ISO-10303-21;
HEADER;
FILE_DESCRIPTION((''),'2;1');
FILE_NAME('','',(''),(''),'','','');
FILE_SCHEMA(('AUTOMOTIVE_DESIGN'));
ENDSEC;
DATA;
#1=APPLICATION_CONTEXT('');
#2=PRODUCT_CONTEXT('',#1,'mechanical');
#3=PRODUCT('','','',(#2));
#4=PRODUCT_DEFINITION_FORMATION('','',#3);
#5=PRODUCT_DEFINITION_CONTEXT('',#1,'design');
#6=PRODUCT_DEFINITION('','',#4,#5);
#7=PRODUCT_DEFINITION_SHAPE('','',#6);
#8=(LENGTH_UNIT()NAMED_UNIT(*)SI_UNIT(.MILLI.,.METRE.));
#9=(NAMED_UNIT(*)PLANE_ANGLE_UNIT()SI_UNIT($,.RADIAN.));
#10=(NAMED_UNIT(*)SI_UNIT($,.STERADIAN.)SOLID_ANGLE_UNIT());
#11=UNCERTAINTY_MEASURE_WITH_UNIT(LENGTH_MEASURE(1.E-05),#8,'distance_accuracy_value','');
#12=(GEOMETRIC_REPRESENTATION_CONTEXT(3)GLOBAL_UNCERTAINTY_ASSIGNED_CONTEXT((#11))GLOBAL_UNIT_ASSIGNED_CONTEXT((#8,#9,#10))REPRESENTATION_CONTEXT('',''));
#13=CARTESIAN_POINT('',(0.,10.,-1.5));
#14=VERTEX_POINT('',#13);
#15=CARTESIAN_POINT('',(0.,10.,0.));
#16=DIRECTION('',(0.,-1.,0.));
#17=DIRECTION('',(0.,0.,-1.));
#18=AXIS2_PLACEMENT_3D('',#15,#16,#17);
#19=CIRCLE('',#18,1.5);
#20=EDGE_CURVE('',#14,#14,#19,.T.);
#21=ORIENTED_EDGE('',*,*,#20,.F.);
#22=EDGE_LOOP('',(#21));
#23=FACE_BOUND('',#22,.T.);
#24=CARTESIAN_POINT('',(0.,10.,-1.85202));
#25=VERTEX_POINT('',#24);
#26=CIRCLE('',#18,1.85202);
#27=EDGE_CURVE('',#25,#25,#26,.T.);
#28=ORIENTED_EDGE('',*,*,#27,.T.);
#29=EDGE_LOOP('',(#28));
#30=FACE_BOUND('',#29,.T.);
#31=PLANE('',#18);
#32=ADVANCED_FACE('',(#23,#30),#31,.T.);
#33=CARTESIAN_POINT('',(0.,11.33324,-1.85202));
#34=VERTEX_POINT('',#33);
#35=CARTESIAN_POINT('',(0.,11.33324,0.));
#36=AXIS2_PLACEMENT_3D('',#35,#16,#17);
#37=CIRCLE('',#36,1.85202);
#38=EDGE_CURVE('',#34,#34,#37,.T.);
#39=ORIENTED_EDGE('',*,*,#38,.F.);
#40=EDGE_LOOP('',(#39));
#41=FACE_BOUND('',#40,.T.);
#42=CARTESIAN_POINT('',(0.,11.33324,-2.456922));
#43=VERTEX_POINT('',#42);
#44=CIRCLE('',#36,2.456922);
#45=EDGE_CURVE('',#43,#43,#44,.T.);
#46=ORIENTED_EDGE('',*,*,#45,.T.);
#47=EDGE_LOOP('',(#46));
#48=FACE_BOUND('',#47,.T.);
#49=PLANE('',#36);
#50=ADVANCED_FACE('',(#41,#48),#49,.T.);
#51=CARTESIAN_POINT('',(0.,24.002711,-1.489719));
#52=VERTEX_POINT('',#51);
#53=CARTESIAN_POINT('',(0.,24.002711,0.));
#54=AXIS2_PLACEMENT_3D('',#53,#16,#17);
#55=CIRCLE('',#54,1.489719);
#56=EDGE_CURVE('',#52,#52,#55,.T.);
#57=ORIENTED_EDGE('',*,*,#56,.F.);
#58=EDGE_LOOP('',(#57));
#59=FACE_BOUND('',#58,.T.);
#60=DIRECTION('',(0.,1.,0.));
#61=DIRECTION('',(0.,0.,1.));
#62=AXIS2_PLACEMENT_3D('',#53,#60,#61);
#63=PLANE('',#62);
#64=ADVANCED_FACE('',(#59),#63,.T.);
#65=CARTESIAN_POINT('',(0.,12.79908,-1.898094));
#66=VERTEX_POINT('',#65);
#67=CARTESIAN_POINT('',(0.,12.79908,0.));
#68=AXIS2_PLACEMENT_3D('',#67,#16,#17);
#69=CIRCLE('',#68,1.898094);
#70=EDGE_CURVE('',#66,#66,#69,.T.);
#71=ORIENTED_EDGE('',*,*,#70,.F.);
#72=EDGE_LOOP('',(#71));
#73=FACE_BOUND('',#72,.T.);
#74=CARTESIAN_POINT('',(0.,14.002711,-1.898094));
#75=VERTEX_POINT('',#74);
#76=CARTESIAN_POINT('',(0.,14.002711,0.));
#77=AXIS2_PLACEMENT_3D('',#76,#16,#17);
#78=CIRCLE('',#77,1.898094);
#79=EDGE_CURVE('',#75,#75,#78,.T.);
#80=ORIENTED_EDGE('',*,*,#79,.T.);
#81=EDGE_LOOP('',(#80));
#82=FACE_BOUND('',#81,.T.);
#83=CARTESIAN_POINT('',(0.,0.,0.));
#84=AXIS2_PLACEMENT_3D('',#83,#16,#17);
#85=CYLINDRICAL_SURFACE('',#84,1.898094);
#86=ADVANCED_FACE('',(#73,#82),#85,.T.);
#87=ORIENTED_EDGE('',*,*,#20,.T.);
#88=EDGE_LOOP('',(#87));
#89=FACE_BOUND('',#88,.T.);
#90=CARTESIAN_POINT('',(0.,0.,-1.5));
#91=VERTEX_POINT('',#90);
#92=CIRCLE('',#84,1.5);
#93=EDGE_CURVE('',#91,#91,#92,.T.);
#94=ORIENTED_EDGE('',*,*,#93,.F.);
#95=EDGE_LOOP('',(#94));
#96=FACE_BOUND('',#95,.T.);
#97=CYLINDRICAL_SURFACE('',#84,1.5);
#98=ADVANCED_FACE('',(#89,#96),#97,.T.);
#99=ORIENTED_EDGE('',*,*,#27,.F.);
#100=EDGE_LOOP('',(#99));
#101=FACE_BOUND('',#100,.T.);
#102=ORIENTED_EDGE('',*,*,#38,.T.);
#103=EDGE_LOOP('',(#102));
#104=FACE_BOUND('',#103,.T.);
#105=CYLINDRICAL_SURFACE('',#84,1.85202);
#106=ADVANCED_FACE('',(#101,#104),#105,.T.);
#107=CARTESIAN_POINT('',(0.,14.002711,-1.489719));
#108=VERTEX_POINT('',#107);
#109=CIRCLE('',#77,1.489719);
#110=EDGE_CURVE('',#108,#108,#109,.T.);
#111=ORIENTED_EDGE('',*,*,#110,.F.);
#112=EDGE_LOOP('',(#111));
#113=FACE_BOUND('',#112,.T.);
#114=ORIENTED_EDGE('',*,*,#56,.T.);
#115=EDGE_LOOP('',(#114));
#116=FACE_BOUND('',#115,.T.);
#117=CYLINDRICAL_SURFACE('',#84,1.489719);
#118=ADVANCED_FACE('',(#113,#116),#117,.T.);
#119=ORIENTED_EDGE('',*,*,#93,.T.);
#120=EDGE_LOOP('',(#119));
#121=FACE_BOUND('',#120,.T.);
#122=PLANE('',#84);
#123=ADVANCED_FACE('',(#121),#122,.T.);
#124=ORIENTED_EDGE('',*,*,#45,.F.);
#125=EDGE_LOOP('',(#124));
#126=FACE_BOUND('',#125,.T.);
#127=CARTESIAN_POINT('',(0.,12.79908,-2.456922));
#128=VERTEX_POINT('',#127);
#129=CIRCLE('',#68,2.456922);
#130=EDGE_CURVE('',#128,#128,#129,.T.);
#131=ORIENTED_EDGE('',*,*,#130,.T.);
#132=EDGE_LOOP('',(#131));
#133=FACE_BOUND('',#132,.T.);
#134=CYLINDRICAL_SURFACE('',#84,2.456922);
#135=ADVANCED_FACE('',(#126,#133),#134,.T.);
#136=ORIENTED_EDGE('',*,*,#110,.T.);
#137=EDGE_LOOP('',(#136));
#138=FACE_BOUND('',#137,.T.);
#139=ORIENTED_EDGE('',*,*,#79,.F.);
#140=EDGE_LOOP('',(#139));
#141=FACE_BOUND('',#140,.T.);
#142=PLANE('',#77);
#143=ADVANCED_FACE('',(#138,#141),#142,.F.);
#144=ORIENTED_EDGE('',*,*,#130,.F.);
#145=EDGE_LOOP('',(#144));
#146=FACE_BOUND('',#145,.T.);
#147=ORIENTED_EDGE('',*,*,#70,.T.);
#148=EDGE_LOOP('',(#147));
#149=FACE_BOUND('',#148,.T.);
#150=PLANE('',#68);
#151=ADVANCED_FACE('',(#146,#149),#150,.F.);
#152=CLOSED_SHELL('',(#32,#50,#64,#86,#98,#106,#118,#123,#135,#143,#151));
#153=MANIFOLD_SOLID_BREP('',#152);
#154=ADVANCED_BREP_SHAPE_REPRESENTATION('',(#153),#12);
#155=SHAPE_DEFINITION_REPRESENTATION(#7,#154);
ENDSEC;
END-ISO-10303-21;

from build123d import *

# Parameters (mm, degrees)
SKETCH_2_W   = 1.5
SKETCH_2_H   = 10
SKETCH_2_W_2 = 1.489718874


with BuildPart() as part:
    # 草图2 → 旋转1 (revolve)
    with BuildSketch(Plane(origin=(0, 0, 0), x_dir=(0, 0, -1), z_dir=(1, 0, 0))):
        with Locations((0.75, 5)):
            Rectangle(SKETCH_2_W, SKETCH_2_H)
        Polygon((0, 11.333239566), (0, 10), (1.5, 10), (1.852020266, 10), (1.852020266, 11.333239566), align=None)
        Polygon((0, 12.799080051), (0, 11.333239566), (1.852020266, 11.333239566), (2.456922178, 11.333239566), (2.456922178, 12.799080051), (1.898093602, 12.799080051), align=None)
        Polygon((0, 14.00271083), (0, 12.799080051), (1.898093602, 12.799080051), (1.898093602, 14.00271083), (1.489718874, 14.00271083), align=None)
        with Locations((0.744859437, 19.00271083)):
            Rectangle(SKETCH_2_W_2, SKETCH_2_H)
    revolve(axis=Axis((0, 0, 0), (0, 1, 0)))


solid = part.part
